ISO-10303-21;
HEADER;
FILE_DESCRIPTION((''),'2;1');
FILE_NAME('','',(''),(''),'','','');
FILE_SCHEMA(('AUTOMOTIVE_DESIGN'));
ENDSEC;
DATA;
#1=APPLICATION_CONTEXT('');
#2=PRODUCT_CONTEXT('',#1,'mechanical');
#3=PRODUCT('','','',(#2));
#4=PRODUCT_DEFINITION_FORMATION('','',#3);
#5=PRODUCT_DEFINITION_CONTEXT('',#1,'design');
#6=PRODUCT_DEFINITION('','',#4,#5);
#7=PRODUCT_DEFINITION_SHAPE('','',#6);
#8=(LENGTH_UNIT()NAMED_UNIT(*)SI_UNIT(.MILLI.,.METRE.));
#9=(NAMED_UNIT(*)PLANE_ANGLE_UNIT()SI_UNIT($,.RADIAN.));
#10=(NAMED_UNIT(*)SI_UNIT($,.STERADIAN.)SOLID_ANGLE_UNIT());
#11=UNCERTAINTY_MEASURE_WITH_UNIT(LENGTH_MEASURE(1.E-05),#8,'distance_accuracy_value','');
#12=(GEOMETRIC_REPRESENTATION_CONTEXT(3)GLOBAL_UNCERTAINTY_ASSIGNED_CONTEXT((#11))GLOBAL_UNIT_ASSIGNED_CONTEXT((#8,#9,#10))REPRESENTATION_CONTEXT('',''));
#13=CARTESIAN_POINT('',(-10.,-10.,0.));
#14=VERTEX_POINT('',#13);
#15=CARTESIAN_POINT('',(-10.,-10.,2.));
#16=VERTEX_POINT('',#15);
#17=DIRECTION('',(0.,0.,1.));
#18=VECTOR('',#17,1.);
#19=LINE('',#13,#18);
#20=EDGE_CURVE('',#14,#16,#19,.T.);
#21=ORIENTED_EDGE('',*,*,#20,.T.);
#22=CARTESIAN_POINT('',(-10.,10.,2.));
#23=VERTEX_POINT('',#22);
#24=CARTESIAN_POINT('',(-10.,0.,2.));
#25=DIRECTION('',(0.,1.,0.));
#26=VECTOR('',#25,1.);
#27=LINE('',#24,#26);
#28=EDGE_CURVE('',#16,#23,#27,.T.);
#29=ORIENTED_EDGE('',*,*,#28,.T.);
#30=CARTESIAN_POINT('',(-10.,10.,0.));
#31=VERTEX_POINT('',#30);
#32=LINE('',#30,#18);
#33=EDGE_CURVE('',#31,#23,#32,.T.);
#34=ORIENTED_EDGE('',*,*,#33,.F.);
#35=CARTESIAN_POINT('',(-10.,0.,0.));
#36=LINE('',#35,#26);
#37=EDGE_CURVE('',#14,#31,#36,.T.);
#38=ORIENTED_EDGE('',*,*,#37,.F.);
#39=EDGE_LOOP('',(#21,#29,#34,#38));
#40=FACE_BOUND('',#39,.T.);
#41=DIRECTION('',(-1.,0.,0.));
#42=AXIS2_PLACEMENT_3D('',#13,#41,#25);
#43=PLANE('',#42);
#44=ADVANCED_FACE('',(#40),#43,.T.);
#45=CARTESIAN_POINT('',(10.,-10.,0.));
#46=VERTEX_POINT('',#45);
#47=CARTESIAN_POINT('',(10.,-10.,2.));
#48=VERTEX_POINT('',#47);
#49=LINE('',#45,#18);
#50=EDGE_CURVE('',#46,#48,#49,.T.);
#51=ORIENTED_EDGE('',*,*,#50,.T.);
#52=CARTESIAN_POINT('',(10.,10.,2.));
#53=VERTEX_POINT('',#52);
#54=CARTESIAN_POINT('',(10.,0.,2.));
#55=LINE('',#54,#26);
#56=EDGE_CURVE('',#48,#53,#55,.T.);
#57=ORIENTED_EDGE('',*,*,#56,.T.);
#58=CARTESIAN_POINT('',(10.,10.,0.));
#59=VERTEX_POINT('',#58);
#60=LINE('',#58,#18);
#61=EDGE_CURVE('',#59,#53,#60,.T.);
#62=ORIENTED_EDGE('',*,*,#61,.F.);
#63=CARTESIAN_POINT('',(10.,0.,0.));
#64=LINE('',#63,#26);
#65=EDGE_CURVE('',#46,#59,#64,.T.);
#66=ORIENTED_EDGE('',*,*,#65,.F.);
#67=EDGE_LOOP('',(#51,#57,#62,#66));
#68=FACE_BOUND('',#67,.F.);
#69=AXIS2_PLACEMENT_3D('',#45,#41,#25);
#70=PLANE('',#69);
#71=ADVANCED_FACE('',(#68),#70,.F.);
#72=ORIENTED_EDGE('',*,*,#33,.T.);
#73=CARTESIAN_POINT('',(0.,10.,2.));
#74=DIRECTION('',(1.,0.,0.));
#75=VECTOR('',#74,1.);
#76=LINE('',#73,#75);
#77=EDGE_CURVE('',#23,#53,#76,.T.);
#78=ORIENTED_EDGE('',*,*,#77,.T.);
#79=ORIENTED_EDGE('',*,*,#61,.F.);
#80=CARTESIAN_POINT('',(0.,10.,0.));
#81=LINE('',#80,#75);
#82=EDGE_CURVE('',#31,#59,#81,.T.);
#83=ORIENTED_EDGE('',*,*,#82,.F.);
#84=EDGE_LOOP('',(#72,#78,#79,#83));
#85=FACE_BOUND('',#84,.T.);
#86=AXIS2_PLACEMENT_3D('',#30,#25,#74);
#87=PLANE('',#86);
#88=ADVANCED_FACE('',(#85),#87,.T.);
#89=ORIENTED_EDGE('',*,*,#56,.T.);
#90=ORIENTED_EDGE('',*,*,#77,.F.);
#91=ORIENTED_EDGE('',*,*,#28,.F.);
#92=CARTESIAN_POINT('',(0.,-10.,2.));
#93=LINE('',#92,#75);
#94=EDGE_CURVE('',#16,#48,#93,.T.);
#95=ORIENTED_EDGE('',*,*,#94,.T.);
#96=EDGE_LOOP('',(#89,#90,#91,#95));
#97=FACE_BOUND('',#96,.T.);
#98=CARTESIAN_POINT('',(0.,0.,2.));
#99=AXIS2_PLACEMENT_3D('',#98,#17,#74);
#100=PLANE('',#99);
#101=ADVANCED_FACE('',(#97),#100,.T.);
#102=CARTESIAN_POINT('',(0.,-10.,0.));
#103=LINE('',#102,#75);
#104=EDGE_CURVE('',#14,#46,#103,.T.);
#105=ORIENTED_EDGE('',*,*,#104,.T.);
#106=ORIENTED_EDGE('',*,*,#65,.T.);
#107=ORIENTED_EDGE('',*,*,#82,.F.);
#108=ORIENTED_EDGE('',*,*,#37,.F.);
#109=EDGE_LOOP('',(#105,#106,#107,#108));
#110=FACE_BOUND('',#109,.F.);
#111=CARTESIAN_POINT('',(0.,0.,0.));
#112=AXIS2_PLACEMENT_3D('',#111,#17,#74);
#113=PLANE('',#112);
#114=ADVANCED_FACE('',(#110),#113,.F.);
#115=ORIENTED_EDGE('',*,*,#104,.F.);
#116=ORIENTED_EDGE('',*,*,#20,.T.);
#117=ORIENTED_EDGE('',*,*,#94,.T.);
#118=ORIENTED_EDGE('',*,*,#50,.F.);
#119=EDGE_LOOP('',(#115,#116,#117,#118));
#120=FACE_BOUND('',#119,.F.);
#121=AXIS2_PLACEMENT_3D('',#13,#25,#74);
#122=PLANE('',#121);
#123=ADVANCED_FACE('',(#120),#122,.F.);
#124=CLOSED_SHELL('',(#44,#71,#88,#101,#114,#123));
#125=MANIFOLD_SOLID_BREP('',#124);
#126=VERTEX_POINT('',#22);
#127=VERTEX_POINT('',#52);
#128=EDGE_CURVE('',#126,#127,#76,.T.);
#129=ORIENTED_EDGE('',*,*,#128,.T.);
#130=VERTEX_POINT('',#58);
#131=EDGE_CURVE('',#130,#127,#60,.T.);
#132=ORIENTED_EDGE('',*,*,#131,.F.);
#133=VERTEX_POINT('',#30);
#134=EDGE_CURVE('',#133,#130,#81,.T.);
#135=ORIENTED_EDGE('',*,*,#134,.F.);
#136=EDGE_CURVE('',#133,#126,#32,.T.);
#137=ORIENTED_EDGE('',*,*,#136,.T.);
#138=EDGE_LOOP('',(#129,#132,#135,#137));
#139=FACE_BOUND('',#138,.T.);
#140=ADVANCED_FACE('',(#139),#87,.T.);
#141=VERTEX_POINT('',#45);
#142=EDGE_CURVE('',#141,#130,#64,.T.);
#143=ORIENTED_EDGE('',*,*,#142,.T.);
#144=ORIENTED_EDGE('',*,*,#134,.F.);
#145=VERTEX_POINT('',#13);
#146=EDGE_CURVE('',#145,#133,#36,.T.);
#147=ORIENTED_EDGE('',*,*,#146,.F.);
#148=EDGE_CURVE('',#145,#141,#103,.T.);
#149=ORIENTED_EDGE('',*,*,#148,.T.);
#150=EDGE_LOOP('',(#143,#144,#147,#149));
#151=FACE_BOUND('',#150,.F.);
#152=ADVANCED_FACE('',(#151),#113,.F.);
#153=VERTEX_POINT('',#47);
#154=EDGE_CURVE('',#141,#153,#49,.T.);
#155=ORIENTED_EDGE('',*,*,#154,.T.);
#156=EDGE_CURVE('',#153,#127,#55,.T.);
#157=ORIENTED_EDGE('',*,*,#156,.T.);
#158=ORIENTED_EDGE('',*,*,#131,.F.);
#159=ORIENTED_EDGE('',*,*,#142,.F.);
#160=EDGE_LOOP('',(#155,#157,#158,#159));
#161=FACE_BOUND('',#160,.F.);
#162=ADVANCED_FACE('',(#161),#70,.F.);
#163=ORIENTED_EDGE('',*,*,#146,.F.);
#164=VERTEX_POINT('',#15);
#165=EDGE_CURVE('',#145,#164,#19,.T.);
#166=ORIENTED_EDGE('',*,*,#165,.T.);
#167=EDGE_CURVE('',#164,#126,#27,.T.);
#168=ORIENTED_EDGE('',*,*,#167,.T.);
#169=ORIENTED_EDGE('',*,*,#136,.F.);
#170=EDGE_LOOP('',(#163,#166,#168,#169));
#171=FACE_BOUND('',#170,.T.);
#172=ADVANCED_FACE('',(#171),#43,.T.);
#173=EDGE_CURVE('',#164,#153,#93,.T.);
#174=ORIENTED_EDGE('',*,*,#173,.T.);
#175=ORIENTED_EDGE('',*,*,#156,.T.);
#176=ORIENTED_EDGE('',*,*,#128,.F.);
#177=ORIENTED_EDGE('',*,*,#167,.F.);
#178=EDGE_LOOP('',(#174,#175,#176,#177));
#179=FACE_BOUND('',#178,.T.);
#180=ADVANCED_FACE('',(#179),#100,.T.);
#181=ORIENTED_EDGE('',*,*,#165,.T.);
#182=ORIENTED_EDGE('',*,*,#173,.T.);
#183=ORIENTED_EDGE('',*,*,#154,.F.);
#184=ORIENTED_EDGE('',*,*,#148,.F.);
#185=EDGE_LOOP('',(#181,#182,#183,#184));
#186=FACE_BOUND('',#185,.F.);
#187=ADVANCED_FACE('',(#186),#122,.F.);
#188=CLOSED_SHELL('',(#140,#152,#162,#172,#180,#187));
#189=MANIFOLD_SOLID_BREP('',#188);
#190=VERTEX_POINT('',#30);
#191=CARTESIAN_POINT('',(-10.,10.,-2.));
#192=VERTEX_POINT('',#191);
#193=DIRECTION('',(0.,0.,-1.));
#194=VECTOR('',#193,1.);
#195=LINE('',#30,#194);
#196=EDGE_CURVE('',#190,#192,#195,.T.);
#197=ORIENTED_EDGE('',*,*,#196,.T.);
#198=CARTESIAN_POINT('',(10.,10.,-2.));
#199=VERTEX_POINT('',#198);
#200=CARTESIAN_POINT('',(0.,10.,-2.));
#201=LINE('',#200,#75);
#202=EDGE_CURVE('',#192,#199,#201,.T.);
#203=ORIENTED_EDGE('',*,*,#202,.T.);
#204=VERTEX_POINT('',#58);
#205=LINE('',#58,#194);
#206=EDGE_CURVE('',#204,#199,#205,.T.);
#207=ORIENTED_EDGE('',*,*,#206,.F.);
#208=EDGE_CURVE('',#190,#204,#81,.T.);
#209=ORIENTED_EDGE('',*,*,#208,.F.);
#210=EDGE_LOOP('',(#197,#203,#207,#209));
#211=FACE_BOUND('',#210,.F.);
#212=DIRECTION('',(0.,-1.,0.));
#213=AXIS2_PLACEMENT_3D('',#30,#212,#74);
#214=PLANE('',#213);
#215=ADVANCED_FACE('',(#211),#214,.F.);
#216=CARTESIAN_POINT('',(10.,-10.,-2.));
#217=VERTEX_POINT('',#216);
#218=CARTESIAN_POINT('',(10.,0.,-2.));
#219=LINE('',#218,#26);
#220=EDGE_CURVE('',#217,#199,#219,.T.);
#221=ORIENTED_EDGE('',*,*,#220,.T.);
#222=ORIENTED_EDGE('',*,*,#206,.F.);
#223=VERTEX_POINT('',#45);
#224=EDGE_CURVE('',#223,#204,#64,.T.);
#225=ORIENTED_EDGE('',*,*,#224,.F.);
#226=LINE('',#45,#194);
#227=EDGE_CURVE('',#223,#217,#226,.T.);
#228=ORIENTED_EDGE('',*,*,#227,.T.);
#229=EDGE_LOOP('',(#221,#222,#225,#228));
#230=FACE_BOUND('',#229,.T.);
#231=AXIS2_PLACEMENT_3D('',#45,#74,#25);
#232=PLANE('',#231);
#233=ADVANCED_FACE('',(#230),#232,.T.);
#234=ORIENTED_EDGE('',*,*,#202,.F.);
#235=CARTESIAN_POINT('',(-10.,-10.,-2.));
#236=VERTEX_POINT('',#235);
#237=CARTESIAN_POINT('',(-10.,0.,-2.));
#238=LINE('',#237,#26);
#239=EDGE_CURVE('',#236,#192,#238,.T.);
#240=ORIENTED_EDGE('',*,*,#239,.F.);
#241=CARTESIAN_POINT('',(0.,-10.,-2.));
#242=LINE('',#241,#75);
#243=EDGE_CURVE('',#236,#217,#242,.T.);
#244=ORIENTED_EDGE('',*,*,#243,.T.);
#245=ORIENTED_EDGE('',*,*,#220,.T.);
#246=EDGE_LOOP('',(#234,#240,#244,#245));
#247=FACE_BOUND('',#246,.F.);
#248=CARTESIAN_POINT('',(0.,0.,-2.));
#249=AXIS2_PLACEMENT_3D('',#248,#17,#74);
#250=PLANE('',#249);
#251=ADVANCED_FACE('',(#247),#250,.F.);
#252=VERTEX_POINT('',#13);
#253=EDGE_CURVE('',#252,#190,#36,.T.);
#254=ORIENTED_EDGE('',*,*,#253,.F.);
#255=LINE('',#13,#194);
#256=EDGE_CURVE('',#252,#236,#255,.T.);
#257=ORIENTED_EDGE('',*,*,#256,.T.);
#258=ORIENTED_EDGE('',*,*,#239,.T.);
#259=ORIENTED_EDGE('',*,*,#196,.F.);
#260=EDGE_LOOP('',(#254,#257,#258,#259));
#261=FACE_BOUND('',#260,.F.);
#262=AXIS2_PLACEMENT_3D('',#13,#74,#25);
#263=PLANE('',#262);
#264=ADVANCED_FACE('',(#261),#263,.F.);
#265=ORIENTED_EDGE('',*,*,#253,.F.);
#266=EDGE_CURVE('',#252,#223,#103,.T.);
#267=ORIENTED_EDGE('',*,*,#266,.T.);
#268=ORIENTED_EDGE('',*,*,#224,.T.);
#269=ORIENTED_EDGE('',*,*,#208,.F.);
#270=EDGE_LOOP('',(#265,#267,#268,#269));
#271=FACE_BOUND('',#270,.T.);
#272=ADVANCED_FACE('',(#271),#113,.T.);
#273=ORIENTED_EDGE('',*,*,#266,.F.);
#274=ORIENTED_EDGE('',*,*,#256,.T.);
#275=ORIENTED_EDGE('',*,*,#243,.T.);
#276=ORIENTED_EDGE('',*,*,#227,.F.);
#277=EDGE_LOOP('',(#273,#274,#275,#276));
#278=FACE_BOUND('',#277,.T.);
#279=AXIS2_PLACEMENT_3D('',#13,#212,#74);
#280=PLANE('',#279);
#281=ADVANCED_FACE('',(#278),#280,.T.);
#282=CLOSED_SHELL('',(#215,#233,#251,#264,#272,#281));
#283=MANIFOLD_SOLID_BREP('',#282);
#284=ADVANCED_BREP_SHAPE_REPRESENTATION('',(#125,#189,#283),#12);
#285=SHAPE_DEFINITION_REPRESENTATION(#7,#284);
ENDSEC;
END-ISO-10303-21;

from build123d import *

# Parameters (mm, degrees)
F0_W     = 20
F0_H     = 20
F1_DEPTH = 2
F2_W     = 20
F2_H     = 20
F3_DEPTH = 2
F4_DEPTH = 2


with BuildPart() as f1:
    # F0 (on Top) → F1 (new body)
    with BuildSketch(Plane.XY):
        Rectangle(F0_W, F0_H)
    extrude(amount=F1_DEPTH)


with BuildPart() as f3:
    # F2 (on Top) → F3 (new body)
    with BuildSketch(Plane.XY):
        Rectangle(F2_W, F2_H)
    extrude(amount=-F3_DEPTH)


with BuildPart() as f4:
    # F2 (on Top) → F4 (new body)
    with BuildSketch(Plane.XY):
        Rectangle(F2_W, F2_H)
    extrude(amount=F4_DEPTH)


solid = Compound([f1.part, f3.part, f4.part])
